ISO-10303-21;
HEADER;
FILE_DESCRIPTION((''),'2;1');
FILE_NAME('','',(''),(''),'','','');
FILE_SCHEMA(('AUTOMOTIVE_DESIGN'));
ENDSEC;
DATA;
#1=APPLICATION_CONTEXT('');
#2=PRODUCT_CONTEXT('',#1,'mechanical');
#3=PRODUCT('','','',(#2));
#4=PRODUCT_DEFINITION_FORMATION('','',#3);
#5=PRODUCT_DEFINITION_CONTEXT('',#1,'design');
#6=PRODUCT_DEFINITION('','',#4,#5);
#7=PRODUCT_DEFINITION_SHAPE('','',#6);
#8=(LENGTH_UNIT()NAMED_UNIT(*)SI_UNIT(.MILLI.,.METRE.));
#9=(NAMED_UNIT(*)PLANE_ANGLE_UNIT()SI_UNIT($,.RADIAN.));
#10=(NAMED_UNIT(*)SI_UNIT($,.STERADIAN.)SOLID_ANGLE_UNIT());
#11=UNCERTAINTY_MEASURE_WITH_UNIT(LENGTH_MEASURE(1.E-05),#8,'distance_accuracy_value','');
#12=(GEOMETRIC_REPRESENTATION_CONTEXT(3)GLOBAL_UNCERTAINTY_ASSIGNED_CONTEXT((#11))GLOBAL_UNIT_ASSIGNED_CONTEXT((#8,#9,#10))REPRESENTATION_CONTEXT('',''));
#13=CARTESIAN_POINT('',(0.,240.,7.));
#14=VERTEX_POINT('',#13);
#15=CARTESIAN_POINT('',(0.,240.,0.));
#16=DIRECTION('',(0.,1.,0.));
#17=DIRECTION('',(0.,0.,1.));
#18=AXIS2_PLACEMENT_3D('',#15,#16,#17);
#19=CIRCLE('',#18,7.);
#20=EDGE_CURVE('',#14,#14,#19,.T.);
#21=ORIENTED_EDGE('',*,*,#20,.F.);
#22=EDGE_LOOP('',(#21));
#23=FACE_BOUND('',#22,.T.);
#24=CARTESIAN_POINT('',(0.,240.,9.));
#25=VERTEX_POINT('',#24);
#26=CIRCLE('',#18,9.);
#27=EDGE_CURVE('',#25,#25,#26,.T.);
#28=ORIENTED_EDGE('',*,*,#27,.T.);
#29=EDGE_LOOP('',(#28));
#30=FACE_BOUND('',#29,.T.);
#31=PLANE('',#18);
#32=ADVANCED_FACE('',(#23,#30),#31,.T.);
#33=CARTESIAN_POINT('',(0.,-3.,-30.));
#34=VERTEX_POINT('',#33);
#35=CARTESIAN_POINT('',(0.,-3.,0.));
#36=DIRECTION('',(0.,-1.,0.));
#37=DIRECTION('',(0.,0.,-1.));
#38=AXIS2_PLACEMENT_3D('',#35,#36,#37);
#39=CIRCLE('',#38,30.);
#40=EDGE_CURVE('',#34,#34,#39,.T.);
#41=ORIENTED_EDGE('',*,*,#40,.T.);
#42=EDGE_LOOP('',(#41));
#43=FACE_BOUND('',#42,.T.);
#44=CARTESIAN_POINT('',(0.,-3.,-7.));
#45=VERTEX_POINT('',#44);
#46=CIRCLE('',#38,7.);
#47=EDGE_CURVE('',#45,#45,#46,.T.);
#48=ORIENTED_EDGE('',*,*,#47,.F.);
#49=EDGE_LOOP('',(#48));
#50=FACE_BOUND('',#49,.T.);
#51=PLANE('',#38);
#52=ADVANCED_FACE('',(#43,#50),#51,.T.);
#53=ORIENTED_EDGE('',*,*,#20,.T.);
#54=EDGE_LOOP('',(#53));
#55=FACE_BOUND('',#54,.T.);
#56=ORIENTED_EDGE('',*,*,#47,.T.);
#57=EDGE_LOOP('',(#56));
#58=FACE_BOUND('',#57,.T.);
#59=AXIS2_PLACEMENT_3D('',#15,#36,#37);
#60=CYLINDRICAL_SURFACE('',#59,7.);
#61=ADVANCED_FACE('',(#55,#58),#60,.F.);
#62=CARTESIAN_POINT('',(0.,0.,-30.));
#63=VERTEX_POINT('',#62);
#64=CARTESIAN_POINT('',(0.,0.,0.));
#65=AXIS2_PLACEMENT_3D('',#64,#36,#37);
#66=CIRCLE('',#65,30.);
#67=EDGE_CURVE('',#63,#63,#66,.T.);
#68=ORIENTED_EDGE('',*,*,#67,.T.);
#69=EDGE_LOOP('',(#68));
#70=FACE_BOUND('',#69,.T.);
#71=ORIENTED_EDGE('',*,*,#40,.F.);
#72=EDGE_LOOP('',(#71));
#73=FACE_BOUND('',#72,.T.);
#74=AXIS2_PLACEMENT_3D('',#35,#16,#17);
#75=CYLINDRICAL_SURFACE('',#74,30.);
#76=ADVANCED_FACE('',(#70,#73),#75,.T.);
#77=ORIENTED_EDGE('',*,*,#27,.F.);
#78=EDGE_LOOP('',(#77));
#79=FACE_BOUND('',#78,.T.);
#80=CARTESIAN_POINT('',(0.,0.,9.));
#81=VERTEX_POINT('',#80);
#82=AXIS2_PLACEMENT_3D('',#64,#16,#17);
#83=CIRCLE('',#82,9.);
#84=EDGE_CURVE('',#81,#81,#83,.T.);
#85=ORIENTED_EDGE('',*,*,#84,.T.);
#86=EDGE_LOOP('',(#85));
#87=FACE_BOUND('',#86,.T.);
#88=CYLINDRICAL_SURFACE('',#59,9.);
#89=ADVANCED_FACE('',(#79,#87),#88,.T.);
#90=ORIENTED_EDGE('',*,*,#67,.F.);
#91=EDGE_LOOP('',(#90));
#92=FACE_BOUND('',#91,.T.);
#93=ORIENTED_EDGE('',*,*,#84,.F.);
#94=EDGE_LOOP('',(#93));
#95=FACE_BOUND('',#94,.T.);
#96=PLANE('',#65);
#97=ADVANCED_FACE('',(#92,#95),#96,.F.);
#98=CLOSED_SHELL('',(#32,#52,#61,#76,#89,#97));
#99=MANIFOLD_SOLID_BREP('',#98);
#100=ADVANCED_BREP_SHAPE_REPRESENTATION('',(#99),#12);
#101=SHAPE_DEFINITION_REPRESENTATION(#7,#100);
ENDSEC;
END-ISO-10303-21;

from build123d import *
from build123d.topology import SkipClean

# Parameters (mm, degrees)
SKETCH1_R           = 9
SKETCH1_R_2         = 7
BOSS_EXTRUDE1_DEPTH = 240
BOSS_EXTRUDE2_START = 3
SKETCH2_R           = 30
SKETCH2_R_2         = 7
BOSS_EXTRUDE2_DEPTH = 3


with BuildPart() as part:
    # Sketch1 → Boss-Extrude1 (new body)
    with BuildSketch(Plane(origin=(0, 0, 0), x_dir=(1, 0, 0), z_dir=(0, 1, 0))):
        with Locations(Location((0, 0, 0), (0, 0, 270))):
            Circle(SKETCH1_R)
        with Locations(Location((0, 0, 0), (0, 0, 270))):
            Circle(SKETCH1_R_2, mode=Mode.SUBTRACT)
    extrude(amount=BOSS_EXTRUDE1_DEPTH)

    # Sketch2 → Boss-Extrude2 (add)
    with SkipClean():  # the faces are left unmerged after this step: merging them gives an invalid solid
        with BuildSketch(Plane.XZ.offset(BOSS_EXTRUDE2_START)):
            with Locations(Location((0, 0, 0), (0, 0, 270))):
                Circle(SKETCH2_R)
            with Locations(Location((0, 0, 0), (0, 0, 270))):
                Circle(SKETCH2_R_2, mode=Mode.SUBTRACT)
        extrude(amount=-BOSS_EXTRUDE2_DEPTH)


solid = part.part
